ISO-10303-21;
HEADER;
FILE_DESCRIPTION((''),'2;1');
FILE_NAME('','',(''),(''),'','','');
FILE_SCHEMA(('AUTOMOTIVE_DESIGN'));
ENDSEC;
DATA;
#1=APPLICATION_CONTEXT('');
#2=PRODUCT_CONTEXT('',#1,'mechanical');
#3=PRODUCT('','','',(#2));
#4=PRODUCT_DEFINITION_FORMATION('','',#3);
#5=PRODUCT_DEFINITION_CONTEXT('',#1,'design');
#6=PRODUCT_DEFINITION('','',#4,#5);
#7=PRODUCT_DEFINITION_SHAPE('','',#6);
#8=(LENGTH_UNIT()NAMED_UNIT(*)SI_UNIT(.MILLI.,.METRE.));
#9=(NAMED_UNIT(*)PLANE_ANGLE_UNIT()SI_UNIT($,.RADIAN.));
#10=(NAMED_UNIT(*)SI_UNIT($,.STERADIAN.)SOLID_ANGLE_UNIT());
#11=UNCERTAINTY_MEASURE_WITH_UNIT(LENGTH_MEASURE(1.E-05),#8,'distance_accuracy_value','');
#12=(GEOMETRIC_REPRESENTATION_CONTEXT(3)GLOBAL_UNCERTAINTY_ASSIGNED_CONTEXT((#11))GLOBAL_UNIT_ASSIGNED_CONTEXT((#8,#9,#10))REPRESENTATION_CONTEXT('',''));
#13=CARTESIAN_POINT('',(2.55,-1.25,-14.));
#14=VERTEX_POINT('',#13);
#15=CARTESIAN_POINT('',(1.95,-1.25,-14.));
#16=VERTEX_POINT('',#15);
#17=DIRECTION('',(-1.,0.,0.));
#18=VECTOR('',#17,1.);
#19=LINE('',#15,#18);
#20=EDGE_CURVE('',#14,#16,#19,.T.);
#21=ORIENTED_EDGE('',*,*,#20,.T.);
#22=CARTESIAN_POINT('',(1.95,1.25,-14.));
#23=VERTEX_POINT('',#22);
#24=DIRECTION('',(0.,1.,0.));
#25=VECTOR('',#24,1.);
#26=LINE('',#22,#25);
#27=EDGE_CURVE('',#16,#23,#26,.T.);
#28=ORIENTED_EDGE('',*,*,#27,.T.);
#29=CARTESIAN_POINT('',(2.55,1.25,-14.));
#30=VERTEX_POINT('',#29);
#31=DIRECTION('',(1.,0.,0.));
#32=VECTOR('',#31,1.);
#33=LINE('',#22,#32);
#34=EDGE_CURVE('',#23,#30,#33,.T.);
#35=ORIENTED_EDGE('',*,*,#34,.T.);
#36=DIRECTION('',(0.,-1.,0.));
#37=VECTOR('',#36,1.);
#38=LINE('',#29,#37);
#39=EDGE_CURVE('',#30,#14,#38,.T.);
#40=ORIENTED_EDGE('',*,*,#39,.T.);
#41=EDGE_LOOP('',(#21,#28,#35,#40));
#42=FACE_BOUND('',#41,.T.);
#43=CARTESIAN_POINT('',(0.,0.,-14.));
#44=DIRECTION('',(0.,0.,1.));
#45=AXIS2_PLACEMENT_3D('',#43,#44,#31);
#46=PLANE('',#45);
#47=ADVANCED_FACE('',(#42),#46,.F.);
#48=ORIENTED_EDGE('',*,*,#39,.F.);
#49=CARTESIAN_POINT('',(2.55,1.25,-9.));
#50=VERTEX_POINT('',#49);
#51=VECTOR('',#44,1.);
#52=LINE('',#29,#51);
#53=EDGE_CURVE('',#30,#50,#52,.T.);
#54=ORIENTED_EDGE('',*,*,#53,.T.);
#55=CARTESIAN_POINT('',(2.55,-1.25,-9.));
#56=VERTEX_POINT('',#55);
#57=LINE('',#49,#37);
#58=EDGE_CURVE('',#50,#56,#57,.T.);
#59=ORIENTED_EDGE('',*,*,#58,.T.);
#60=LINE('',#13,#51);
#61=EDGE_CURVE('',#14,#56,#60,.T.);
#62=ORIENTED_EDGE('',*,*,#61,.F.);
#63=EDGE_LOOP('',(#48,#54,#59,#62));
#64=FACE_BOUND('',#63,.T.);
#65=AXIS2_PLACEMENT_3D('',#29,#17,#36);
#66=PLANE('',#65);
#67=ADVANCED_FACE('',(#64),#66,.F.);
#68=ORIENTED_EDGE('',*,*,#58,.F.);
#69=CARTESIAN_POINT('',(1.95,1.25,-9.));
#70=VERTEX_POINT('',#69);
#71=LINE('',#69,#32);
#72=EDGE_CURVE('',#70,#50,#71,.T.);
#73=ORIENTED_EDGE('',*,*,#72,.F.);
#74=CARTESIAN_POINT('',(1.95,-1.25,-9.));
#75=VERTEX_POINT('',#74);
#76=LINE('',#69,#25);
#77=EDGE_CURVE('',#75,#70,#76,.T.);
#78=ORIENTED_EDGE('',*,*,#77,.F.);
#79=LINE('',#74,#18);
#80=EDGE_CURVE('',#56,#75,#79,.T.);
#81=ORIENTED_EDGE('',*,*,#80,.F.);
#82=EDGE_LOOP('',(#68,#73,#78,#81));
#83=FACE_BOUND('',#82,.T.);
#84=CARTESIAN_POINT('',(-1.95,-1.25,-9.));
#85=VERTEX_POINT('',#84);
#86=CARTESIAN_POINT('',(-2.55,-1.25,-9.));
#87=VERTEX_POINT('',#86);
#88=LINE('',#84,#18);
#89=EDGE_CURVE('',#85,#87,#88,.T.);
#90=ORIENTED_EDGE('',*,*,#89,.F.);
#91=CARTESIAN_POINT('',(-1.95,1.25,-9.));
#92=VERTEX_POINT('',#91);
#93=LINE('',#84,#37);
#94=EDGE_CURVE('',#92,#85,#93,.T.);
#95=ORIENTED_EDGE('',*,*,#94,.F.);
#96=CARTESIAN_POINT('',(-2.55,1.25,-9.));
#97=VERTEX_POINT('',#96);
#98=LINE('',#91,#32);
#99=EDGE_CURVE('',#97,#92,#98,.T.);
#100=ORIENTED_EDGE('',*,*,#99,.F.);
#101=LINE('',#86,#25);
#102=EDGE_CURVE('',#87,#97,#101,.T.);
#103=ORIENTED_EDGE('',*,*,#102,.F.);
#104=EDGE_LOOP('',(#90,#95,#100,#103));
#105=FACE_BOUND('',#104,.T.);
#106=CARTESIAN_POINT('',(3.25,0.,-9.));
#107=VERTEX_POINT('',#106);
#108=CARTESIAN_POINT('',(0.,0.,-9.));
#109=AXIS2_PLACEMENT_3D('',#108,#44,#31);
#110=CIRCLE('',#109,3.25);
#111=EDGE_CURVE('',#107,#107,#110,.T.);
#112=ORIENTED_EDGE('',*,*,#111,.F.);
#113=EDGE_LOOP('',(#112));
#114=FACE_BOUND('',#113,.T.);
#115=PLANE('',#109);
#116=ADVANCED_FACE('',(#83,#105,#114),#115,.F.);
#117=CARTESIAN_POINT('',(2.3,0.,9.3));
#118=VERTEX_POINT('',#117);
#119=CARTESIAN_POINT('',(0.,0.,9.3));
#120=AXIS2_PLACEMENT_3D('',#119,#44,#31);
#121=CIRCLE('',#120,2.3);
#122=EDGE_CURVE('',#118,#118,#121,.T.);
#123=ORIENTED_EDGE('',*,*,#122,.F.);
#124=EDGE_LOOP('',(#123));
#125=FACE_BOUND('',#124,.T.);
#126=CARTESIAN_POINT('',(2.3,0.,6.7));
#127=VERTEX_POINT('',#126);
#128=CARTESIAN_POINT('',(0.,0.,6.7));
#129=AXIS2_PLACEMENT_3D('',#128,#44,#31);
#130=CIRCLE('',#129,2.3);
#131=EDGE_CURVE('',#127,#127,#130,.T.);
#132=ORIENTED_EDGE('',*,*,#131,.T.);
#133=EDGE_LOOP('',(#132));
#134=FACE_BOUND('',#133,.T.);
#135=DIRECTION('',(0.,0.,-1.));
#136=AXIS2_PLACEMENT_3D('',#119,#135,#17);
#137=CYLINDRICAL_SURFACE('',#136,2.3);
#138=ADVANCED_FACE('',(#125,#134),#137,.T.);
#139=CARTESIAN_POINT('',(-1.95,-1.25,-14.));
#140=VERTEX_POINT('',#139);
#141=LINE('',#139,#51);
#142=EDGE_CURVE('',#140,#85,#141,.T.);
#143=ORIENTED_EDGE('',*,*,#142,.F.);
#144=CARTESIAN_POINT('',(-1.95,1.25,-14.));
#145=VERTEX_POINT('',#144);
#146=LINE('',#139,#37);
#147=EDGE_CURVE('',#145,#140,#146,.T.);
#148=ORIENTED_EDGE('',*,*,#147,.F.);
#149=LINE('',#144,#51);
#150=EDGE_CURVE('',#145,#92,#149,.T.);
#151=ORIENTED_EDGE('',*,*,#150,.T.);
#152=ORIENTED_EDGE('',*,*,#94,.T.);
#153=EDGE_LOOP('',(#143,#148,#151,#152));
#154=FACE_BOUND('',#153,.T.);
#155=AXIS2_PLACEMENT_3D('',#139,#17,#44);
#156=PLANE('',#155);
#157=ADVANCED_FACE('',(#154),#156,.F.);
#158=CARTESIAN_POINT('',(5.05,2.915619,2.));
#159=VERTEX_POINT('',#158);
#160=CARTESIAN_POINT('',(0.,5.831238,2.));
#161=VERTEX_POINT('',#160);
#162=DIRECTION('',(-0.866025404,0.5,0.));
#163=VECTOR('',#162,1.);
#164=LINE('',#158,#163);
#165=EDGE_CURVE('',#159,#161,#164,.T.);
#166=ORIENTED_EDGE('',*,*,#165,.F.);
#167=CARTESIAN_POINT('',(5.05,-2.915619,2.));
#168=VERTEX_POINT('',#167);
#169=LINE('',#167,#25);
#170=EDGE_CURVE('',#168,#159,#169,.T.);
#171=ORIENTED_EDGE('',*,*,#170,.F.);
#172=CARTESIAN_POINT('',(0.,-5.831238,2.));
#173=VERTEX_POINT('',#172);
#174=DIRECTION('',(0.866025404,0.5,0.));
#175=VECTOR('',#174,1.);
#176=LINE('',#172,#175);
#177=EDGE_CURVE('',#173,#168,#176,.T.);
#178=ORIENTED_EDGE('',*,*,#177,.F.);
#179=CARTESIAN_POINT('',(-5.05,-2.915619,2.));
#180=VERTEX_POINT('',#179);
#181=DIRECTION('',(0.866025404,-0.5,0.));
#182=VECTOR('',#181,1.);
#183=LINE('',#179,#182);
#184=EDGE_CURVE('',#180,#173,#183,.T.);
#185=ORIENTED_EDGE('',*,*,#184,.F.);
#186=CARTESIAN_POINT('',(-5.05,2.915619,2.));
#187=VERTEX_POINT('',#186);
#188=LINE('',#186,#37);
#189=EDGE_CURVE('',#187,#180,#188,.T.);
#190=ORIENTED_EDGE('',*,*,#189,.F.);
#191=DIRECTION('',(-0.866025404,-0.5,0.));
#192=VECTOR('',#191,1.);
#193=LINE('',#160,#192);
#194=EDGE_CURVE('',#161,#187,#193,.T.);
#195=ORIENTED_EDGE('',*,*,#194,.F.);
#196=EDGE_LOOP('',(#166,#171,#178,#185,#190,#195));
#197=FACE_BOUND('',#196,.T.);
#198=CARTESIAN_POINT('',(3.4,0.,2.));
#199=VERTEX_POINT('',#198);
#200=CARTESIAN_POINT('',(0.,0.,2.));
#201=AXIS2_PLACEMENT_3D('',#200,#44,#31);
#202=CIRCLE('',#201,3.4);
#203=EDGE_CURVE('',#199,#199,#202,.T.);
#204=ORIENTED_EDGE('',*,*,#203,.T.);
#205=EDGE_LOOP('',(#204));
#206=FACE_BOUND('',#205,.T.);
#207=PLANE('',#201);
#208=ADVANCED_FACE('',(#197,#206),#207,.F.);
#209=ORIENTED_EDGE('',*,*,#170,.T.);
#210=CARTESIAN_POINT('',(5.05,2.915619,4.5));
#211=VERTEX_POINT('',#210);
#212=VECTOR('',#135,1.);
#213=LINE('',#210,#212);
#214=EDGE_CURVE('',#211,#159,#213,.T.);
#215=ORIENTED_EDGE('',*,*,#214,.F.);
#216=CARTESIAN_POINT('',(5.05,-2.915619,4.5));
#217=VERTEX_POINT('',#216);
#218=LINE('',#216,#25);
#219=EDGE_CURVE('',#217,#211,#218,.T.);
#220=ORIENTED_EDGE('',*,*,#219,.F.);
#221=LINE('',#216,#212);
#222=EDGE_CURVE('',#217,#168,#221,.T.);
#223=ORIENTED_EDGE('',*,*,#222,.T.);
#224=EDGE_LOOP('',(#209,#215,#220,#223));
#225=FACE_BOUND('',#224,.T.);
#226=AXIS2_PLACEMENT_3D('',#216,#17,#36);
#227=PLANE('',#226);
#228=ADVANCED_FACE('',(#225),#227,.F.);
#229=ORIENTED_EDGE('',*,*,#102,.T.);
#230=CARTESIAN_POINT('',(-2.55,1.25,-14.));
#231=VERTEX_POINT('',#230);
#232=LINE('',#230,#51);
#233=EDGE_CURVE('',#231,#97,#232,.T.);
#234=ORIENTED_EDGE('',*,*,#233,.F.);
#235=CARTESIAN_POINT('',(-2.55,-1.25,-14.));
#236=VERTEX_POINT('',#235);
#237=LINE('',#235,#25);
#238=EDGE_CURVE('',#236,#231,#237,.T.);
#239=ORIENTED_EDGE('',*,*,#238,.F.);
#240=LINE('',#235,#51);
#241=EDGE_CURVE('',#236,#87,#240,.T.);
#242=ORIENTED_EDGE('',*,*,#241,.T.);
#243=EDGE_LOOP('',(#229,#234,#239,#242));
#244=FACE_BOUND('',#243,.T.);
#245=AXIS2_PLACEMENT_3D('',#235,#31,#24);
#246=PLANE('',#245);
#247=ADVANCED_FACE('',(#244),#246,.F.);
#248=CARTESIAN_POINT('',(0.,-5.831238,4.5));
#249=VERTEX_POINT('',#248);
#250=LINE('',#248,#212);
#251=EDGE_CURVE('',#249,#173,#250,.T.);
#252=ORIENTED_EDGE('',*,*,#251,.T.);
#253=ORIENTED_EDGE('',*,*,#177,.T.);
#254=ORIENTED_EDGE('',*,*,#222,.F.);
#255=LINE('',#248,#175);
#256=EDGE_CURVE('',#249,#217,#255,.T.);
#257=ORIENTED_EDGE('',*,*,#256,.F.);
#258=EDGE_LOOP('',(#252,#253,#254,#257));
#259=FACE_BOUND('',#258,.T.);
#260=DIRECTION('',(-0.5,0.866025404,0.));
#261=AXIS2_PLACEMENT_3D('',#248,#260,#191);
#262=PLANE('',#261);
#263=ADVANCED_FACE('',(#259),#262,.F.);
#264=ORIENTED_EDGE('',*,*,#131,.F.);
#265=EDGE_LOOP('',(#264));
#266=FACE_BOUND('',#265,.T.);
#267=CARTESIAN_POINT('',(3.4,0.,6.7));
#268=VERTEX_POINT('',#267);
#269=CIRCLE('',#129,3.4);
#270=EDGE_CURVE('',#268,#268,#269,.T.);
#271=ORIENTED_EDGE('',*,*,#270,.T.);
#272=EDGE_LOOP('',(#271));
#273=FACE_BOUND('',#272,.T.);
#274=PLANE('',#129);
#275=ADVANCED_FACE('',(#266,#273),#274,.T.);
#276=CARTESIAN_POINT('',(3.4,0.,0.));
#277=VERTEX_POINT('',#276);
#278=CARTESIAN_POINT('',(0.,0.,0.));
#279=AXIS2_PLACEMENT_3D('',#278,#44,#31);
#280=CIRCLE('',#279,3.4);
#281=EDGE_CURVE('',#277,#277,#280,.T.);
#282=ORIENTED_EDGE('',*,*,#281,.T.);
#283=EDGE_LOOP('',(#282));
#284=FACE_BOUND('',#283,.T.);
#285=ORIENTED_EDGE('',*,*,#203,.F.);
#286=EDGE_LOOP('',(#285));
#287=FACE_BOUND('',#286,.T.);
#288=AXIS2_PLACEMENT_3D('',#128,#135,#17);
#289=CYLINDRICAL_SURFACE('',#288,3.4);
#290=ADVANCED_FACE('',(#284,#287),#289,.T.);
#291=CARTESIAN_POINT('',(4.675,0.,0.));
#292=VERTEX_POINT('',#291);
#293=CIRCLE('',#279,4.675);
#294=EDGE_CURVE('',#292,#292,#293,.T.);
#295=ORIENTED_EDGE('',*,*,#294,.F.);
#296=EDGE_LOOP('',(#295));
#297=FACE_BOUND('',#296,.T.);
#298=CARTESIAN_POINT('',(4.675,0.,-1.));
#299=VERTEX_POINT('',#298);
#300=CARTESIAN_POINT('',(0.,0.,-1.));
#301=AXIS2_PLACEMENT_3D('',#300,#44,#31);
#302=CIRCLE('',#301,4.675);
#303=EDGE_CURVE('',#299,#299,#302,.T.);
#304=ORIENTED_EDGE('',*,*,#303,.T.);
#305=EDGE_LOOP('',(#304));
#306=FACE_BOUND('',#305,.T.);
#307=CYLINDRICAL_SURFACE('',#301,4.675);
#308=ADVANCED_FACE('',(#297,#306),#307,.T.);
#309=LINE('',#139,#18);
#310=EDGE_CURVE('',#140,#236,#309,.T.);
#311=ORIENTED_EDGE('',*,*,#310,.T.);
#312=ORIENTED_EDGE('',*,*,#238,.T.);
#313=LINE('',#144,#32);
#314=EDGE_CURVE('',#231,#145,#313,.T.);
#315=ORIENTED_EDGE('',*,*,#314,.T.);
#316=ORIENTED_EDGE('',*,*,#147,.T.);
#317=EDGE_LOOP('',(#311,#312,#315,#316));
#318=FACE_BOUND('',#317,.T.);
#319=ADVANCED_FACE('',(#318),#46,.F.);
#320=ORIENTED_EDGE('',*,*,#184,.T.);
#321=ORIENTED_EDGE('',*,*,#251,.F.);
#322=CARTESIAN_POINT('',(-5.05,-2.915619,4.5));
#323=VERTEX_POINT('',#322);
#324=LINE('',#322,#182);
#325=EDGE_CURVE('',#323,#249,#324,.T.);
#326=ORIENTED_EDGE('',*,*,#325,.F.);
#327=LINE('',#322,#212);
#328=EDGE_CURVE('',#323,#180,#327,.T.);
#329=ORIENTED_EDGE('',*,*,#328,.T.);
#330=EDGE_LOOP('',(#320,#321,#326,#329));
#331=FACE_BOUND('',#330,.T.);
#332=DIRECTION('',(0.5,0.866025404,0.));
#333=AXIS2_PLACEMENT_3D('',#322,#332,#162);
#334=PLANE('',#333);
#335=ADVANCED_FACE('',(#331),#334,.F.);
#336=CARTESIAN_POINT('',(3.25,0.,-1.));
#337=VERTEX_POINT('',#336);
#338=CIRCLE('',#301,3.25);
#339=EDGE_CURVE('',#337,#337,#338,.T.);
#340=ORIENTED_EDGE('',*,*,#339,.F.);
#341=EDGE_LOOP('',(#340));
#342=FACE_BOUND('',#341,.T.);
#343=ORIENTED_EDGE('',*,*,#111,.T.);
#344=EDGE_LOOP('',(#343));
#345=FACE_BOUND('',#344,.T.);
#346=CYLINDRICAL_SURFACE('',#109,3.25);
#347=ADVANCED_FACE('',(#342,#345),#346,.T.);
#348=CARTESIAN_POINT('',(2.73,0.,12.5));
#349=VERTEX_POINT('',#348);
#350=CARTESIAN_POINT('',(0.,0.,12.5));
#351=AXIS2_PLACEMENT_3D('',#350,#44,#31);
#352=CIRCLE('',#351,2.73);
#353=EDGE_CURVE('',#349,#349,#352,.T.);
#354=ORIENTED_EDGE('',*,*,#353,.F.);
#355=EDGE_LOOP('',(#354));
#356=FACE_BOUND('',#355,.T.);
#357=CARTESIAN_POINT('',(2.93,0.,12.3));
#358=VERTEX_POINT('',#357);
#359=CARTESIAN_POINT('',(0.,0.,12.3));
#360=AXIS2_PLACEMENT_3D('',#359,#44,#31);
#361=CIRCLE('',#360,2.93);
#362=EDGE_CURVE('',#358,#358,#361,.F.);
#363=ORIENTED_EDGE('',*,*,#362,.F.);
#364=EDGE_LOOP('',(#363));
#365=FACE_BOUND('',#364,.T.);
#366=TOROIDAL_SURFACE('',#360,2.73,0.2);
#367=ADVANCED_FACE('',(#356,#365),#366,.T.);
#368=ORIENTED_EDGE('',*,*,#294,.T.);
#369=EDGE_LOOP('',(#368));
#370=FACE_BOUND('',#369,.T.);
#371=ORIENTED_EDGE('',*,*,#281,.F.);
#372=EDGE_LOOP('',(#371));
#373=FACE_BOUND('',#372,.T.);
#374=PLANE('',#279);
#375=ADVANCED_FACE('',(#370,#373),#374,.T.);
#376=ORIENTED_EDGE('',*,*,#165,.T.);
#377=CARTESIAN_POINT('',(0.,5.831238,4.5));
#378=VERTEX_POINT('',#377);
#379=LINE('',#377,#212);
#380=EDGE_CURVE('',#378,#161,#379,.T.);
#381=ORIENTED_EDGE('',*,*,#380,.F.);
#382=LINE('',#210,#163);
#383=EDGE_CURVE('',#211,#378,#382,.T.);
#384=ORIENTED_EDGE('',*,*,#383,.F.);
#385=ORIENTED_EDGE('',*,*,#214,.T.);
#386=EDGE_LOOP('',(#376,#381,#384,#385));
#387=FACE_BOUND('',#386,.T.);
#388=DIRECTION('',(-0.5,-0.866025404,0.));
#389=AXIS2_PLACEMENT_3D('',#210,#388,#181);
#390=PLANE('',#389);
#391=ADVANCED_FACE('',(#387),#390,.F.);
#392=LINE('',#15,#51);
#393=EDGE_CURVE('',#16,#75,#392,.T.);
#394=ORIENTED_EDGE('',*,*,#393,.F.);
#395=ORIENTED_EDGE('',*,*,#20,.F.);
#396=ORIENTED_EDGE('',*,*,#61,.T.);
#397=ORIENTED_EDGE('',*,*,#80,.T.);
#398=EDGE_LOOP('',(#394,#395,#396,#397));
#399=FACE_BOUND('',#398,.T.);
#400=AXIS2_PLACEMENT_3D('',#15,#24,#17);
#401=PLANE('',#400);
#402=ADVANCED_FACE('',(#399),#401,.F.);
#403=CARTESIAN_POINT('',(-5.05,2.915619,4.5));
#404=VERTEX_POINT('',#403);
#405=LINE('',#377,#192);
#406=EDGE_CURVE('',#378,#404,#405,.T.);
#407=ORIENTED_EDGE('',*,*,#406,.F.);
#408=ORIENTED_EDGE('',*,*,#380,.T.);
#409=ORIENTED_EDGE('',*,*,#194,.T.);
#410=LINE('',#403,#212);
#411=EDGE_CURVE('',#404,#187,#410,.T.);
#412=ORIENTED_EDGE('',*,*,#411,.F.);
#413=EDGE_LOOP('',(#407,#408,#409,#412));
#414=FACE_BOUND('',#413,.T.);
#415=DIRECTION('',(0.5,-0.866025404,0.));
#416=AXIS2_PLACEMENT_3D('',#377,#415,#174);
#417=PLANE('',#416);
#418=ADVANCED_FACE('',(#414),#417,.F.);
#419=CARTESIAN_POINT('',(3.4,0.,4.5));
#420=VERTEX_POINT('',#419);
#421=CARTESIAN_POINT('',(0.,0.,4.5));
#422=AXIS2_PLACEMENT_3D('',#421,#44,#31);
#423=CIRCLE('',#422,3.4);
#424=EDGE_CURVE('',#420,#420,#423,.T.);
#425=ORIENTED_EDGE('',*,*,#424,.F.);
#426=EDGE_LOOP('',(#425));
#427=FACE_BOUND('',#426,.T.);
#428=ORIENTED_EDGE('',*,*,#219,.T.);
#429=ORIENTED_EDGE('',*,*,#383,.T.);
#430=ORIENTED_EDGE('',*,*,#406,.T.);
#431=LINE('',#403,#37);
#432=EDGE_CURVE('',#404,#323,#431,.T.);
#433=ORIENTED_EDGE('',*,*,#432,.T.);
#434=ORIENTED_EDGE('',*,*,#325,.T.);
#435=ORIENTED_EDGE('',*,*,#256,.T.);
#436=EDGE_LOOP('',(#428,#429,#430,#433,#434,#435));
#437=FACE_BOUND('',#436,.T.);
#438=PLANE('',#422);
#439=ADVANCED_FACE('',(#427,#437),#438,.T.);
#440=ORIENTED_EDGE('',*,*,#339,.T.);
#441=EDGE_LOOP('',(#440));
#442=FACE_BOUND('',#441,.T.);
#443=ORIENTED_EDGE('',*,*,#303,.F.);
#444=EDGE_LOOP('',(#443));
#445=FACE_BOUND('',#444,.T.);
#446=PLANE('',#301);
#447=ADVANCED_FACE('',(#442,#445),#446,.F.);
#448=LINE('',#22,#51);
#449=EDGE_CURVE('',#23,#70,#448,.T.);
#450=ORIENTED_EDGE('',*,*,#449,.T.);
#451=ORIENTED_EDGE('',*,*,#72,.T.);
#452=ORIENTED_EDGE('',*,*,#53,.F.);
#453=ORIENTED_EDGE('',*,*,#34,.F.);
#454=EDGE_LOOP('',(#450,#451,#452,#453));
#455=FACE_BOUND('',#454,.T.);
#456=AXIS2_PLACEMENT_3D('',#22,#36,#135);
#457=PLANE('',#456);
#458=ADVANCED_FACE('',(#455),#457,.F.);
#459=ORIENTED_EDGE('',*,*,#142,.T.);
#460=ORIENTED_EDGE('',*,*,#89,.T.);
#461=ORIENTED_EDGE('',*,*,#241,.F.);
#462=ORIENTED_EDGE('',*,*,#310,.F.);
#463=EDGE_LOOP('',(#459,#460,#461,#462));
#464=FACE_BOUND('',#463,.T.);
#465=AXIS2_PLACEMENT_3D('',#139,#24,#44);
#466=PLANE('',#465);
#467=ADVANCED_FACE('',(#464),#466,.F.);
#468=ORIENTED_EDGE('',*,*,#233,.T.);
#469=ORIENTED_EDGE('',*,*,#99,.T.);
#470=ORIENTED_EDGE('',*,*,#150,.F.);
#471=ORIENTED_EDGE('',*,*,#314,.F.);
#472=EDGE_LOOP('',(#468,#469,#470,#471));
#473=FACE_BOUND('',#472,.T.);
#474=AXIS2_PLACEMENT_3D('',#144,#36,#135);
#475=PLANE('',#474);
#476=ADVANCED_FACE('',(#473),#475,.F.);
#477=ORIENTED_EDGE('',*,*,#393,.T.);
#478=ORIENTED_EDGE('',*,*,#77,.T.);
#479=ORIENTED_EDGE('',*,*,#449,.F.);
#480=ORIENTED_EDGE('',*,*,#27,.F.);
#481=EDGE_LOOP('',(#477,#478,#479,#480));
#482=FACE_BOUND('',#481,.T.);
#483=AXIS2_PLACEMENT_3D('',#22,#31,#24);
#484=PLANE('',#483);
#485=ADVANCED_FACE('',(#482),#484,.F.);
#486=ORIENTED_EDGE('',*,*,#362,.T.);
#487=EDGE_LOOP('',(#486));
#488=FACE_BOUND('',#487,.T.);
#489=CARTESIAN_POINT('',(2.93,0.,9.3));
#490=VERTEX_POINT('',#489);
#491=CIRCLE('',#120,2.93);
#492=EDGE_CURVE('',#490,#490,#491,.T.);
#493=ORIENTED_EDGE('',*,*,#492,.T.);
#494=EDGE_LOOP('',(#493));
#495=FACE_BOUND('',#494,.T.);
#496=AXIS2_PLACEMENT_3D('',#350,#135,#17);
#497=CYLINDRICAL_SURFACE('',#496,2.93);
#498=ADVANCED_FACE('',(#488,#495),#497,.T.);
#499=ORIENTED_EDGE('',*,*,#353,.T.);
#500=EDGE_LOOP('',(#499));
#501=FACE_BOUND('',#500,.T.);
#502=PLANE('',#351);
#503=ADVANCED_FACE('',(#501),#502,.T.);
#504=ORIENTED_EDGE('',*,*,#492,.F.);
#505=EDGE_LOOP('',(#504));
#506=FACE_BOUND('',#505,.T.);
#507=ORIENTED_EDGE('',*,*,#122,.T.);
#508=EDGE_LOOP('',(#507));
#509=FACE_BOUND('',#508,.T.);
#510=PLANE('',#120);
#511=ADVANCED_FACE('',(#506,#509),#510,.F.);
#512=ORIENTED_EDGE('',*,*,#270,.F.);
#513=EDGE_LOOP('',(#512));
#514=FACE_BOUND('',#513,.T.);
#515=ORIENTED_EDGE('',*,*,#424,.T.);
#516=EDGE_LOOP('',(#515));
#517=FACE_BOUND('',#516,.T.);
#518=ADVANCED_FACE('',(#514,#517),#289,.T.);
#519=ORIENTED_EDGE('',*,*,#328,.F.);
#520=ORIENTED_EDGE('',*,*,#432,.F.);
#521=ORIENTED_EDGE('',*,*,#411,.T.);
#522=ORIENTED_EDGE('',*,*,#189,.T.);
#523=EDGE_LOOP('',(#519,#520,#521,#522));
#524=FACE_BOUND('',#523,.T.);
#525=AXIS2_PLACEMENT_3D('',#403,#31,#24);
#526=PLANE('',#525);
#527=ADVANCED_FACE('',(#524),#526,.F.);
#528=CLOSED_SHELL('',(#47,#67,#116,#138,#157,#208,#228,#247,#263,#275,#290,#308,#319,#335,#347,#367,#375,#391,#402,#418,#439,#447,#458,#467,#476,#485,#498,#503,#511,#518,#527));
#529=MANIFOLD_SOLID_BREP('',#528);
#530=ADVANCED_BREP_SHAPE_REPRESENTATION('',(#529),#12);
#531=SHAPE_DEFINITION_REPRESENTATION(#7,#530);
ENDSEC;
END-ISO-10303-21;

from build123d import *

# Parameters (mm, degrees)
SKETCH1_R        = 4.675
COLLAR_DEPTH     = 1
SKETCH2_R        = 3.4
FRONT_BODY_DEPTH = 6.7
SKETCH4_R        = 2.3
SHAFT_DEPTH      = 2.6
SKETCH5_R        = 2.93
KNOB_DEPTH       = 3.2
KNOB_FILLET_R    = 0.2
SKETCH3_R        = 3.25
REAR_BODY_DEPTH  = 9
SKETCH6_W        = 0.6
SKETCH6_H        = 2.5
PINS_DEPTH       = 5
NUT_DEPTH        = 2.5


with BuildPart() as part:
    # Sketch1 → Collar (new body)
    with BuildSketch(Plane.XY):
        Circle(SKETCH1_R)
    extrude(amount=-COLLAR_DEPTH)

    # Sketch2 → Front Body (add)
    with BuildSketch(Plane.XY):
        Circle(SKETCH2_R)
    extrude(amount=FRONT_BODY_DEPTH)

    # Sketch4 → Shaft (add)
    with BuildSketch(Plane.XY.offset(6.7)):
        Circle(SKETCH4_R)
    extrude(amount=SHAFT_DEPTH)

    # Sketch5 → Knob (add)
    with BuildSketch(Plane.XY.offset(9.3)):
        Circle(SKETCH5_R)
    extrude(amount=KNOB_DEPTH)

    # Knob Fillet
    knob_fillet_edges = [part.edges().sort_by_distance(p)[0] for p in [
        (-2.93, 0, 12.5),
    ]]
    fillet(knob_fillet_edges, radius=KNOB_FILLET_R)

    # Sketch3 → Rear Body (add)
    with BuildSketch(Plane.XY):
        Circle(SKETCH3_R)
    extrude(amount=-REAR_BODY_DEPTH)

    # Sketch6 → Pins (add)
    with BuildSketch(Plane(origin=(0, 0, -9), x_dir=(-1, 0, 0), z_dir=(0, 0, -1))):
        with Locations((-2.25, 0)):
            Rectangle(SKETCH6_W, SKETCH6_H)
        with Locations((2.25, 0)):
            Rectangle(SKETCH6_W, SKETCH6_H)
    extrude(amount=PINS_DEPTH)

    # Sketch7 → Nut (add)
    with BuildSketch(Plane.XY.offset(2)):
        Polygon((0, 5.831237719), (-5.05, 2.915618859), (-5.05, -2.915618859), (0, -5.831237719), (5.05, -2.915618859), (5.05, 2.915618859), align=None)
    extrude(amount=NUT_DEPTH)


solid = part.part
